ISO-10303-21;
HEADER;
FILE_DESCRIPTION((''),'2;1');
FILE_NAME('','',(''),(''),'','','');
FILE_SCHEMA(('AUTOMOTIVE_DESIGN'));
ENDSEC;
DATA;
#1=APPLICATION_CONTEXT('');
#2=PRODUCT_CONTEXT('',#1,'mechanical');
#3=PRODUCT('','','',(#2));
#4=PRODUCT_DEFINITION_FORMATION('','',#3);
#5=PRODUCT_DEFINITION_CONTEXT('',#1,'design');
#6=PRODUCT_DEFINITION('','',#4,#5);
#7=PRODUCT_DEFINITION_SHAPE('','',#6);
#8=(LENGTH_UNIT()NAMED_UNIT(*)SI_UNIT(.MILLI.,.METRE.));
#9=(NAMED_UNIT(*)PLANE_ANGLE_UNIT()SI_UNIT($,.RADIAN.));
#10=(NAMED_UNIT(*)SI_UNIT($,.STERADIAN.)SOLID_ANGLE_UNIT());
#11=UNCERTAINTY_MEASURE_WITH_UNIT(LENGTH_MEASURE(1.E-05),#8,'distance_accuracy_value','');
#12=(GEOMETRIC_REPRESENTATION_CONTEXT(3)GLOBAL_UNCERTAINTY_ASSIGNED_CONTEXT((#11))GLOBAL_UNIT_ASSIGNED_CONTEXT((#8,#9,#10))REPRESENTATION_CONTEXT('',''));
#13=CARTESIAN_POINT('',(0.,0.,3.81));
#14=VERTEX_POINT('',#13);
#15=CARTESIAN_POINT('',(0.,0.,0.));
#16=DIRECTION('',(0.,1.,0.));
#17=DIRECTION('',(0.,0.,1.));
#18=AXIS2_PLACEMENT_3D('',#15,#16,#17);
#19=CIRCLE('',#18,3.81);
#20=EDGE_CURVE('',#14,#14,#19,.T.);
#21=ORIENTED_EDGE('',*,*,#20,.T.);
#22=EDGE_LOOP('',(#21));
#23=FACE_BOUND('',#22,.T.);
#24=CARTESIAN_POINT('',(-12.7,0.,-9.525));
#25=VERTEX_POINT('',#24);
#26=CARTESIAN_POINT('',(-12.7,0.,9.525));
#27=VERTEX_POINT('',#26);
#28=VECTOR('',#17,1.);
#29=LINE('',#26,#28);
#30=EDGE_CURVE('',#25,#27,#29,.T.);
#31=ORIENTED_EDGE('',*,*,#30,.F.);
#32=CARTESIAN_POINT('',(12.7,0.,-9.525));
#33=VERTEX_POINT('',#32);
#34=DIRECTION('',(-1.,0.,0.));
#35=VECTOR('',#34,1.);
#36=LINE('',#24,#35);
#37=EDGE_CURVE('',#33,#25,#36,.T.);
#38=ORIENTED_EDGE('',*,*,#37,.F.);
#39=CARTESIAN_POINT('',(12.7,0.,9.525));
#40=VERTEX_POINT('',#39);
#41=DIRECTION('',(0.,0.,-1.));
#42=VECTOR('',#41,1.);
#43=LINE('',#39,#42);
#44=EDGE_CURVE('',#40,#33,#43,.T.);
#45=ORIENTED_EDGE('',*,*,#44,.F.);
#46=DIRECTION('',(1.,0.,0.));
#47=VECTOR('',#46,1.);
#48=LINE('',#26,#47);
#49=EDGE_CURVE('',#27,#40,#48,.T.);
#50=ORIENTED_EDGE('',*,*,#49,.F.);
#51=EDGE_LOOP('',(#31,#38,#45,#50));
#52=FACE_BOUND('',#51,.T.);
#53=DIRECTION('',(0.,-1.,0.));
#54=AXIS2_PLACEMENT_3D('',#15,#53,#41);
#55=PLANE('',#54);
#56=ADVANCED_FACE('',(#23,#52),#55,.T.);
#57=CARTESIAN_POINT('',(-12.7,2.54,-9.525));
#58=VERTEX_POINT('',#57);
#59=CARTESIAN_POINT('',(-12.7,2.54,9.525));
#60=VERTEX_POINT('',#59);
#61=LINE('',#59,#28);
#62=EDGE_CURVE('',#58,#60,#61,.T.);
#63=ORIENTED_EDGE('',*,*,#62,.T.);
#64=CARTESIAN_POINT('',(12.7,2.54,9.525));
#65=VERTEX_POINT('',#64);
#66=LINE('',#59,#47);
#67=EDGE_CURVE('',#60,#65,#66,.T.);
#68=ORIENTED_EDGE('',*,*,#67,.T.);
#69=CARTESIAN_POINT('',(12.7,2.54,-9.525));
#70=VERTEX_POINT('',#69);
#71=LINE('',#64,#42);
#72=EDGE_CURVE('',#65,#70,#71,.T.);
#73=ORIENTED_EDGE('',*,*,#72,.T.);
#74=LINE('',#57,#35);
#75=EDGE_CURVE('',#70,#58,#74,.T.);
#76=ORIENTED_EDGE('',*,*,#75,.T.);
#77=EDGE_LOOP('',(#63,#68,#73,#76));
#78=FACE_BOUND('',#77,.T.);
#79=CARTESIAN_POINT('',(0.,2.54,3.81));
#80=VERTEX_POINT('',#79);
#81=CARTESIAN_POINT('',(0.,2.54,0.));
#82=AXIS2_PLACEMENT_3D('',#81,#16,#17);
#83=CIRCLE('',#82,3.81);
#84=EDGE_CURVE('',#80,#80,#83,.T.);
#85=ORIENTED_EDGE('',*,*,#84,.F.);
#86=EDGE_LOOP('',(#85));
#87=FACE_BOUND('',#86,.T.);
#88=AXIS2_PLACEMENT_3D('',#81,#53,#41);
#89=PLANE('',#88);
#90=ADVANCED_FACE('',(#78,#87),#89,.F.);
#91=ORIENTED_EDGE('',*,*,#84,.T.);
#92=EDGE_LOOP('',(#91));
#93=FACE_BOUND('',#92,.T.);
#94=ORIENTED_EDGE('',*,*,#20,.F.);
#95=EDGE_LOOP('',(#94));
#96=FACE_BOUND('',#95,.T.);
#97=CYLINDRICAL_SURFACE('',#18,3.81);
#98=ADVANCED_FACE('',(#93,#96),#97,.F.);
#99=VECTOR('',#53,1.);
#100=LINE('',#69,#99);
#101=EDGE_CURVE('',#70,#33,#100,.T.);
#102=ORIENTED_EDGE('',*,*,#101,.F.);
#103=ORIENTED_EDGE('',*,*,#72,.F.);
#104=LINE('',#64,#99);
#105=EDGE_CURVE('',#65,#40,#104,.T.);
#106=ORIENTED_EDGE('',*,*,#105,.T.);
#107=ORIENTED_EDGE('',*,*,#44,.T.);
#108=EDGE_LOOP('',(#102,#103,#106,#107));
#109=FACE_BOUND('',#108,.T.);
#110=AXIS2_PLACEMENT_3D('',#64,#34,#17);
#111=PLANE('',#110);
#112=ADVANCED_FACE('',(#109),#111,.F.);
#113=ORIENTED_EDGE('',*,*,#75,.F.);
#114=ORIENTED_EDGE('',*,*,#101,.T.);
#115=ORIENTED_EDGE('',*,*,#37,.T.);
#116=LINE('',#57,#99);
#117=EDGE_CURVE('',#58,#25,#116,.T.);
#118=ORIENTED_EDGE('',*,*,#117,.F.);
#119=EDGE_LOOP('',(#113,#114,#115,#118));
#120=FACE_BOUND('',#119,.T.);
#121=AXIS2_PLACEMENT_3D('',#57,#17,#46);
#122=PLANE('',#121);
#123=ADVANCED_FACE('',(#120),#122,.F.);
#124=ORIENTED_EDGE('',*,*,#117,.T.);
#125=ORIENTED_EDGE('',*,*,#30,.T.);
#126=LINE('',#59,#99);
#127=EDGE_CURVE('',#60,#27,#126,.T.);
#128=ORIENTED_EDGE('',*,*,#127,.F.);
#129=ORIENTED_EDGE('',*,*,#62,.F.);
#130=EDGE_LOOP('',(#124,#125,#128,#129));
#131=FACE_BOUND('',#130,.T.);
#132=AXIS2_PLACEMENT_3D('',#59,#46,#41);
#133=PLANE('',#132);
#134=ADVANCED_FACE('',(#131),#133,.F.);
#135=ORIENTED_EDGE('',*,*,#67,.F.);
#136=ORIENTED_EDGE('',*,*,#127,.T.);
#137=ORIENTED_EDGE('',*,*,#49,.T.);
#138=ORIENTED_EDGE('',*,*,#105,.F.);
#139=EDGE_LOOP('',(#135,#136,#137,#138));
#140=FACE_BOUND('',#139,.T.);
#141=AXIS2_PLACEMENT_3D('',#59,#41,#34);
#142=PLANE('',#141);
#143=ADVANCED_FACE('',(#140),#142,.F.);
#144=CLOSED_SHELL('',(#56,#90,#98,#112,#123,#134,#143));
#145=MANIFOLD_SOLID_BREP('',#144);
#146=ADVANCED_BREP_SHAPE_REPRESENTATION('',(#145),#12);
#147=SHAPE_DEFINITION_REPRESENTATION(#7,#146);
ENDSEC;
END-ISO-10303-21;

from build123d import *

# Parameters (mm, degrees)
SKETCH1_W           = 25.4
SKETCH1_H           = 19.05
BOSS_EXTRUDE1_DEPTH = 2.54
SKETCH2_R           = 3.81
CUT_EXTRUDE1_DEPTH  = 17.076915904


with BuildPart() as part:
    # Sketch1 → Boss-Extrude1 (new body)
    with BuildSketch(Plane(origin=(0, 0, 0), x_dir=(1, 0, 0), z_dir=(0, 1, 0))):
        Rectangle(SKETCH1_W, SKETCH1_H)
    extrude(amount=BOSS_EXTRUDE1_DEPTH)

    # Sketch2 → Cut-Extrude1 (cut, through all)
    with BuildSketch(Plane(origin=(0, 2.54, 0), x_dir=(1, 0, 0), z_dir=(0, 1, 0))):
        with Locations(Location((0, 0, 0), (0, 0, 270))):
            Circle(SKETCH2_R)
    extrude(amount=-CUT_EXTRUDE1_DEPTH, mode=Mode.SUBTRACT)


solid = part.part
